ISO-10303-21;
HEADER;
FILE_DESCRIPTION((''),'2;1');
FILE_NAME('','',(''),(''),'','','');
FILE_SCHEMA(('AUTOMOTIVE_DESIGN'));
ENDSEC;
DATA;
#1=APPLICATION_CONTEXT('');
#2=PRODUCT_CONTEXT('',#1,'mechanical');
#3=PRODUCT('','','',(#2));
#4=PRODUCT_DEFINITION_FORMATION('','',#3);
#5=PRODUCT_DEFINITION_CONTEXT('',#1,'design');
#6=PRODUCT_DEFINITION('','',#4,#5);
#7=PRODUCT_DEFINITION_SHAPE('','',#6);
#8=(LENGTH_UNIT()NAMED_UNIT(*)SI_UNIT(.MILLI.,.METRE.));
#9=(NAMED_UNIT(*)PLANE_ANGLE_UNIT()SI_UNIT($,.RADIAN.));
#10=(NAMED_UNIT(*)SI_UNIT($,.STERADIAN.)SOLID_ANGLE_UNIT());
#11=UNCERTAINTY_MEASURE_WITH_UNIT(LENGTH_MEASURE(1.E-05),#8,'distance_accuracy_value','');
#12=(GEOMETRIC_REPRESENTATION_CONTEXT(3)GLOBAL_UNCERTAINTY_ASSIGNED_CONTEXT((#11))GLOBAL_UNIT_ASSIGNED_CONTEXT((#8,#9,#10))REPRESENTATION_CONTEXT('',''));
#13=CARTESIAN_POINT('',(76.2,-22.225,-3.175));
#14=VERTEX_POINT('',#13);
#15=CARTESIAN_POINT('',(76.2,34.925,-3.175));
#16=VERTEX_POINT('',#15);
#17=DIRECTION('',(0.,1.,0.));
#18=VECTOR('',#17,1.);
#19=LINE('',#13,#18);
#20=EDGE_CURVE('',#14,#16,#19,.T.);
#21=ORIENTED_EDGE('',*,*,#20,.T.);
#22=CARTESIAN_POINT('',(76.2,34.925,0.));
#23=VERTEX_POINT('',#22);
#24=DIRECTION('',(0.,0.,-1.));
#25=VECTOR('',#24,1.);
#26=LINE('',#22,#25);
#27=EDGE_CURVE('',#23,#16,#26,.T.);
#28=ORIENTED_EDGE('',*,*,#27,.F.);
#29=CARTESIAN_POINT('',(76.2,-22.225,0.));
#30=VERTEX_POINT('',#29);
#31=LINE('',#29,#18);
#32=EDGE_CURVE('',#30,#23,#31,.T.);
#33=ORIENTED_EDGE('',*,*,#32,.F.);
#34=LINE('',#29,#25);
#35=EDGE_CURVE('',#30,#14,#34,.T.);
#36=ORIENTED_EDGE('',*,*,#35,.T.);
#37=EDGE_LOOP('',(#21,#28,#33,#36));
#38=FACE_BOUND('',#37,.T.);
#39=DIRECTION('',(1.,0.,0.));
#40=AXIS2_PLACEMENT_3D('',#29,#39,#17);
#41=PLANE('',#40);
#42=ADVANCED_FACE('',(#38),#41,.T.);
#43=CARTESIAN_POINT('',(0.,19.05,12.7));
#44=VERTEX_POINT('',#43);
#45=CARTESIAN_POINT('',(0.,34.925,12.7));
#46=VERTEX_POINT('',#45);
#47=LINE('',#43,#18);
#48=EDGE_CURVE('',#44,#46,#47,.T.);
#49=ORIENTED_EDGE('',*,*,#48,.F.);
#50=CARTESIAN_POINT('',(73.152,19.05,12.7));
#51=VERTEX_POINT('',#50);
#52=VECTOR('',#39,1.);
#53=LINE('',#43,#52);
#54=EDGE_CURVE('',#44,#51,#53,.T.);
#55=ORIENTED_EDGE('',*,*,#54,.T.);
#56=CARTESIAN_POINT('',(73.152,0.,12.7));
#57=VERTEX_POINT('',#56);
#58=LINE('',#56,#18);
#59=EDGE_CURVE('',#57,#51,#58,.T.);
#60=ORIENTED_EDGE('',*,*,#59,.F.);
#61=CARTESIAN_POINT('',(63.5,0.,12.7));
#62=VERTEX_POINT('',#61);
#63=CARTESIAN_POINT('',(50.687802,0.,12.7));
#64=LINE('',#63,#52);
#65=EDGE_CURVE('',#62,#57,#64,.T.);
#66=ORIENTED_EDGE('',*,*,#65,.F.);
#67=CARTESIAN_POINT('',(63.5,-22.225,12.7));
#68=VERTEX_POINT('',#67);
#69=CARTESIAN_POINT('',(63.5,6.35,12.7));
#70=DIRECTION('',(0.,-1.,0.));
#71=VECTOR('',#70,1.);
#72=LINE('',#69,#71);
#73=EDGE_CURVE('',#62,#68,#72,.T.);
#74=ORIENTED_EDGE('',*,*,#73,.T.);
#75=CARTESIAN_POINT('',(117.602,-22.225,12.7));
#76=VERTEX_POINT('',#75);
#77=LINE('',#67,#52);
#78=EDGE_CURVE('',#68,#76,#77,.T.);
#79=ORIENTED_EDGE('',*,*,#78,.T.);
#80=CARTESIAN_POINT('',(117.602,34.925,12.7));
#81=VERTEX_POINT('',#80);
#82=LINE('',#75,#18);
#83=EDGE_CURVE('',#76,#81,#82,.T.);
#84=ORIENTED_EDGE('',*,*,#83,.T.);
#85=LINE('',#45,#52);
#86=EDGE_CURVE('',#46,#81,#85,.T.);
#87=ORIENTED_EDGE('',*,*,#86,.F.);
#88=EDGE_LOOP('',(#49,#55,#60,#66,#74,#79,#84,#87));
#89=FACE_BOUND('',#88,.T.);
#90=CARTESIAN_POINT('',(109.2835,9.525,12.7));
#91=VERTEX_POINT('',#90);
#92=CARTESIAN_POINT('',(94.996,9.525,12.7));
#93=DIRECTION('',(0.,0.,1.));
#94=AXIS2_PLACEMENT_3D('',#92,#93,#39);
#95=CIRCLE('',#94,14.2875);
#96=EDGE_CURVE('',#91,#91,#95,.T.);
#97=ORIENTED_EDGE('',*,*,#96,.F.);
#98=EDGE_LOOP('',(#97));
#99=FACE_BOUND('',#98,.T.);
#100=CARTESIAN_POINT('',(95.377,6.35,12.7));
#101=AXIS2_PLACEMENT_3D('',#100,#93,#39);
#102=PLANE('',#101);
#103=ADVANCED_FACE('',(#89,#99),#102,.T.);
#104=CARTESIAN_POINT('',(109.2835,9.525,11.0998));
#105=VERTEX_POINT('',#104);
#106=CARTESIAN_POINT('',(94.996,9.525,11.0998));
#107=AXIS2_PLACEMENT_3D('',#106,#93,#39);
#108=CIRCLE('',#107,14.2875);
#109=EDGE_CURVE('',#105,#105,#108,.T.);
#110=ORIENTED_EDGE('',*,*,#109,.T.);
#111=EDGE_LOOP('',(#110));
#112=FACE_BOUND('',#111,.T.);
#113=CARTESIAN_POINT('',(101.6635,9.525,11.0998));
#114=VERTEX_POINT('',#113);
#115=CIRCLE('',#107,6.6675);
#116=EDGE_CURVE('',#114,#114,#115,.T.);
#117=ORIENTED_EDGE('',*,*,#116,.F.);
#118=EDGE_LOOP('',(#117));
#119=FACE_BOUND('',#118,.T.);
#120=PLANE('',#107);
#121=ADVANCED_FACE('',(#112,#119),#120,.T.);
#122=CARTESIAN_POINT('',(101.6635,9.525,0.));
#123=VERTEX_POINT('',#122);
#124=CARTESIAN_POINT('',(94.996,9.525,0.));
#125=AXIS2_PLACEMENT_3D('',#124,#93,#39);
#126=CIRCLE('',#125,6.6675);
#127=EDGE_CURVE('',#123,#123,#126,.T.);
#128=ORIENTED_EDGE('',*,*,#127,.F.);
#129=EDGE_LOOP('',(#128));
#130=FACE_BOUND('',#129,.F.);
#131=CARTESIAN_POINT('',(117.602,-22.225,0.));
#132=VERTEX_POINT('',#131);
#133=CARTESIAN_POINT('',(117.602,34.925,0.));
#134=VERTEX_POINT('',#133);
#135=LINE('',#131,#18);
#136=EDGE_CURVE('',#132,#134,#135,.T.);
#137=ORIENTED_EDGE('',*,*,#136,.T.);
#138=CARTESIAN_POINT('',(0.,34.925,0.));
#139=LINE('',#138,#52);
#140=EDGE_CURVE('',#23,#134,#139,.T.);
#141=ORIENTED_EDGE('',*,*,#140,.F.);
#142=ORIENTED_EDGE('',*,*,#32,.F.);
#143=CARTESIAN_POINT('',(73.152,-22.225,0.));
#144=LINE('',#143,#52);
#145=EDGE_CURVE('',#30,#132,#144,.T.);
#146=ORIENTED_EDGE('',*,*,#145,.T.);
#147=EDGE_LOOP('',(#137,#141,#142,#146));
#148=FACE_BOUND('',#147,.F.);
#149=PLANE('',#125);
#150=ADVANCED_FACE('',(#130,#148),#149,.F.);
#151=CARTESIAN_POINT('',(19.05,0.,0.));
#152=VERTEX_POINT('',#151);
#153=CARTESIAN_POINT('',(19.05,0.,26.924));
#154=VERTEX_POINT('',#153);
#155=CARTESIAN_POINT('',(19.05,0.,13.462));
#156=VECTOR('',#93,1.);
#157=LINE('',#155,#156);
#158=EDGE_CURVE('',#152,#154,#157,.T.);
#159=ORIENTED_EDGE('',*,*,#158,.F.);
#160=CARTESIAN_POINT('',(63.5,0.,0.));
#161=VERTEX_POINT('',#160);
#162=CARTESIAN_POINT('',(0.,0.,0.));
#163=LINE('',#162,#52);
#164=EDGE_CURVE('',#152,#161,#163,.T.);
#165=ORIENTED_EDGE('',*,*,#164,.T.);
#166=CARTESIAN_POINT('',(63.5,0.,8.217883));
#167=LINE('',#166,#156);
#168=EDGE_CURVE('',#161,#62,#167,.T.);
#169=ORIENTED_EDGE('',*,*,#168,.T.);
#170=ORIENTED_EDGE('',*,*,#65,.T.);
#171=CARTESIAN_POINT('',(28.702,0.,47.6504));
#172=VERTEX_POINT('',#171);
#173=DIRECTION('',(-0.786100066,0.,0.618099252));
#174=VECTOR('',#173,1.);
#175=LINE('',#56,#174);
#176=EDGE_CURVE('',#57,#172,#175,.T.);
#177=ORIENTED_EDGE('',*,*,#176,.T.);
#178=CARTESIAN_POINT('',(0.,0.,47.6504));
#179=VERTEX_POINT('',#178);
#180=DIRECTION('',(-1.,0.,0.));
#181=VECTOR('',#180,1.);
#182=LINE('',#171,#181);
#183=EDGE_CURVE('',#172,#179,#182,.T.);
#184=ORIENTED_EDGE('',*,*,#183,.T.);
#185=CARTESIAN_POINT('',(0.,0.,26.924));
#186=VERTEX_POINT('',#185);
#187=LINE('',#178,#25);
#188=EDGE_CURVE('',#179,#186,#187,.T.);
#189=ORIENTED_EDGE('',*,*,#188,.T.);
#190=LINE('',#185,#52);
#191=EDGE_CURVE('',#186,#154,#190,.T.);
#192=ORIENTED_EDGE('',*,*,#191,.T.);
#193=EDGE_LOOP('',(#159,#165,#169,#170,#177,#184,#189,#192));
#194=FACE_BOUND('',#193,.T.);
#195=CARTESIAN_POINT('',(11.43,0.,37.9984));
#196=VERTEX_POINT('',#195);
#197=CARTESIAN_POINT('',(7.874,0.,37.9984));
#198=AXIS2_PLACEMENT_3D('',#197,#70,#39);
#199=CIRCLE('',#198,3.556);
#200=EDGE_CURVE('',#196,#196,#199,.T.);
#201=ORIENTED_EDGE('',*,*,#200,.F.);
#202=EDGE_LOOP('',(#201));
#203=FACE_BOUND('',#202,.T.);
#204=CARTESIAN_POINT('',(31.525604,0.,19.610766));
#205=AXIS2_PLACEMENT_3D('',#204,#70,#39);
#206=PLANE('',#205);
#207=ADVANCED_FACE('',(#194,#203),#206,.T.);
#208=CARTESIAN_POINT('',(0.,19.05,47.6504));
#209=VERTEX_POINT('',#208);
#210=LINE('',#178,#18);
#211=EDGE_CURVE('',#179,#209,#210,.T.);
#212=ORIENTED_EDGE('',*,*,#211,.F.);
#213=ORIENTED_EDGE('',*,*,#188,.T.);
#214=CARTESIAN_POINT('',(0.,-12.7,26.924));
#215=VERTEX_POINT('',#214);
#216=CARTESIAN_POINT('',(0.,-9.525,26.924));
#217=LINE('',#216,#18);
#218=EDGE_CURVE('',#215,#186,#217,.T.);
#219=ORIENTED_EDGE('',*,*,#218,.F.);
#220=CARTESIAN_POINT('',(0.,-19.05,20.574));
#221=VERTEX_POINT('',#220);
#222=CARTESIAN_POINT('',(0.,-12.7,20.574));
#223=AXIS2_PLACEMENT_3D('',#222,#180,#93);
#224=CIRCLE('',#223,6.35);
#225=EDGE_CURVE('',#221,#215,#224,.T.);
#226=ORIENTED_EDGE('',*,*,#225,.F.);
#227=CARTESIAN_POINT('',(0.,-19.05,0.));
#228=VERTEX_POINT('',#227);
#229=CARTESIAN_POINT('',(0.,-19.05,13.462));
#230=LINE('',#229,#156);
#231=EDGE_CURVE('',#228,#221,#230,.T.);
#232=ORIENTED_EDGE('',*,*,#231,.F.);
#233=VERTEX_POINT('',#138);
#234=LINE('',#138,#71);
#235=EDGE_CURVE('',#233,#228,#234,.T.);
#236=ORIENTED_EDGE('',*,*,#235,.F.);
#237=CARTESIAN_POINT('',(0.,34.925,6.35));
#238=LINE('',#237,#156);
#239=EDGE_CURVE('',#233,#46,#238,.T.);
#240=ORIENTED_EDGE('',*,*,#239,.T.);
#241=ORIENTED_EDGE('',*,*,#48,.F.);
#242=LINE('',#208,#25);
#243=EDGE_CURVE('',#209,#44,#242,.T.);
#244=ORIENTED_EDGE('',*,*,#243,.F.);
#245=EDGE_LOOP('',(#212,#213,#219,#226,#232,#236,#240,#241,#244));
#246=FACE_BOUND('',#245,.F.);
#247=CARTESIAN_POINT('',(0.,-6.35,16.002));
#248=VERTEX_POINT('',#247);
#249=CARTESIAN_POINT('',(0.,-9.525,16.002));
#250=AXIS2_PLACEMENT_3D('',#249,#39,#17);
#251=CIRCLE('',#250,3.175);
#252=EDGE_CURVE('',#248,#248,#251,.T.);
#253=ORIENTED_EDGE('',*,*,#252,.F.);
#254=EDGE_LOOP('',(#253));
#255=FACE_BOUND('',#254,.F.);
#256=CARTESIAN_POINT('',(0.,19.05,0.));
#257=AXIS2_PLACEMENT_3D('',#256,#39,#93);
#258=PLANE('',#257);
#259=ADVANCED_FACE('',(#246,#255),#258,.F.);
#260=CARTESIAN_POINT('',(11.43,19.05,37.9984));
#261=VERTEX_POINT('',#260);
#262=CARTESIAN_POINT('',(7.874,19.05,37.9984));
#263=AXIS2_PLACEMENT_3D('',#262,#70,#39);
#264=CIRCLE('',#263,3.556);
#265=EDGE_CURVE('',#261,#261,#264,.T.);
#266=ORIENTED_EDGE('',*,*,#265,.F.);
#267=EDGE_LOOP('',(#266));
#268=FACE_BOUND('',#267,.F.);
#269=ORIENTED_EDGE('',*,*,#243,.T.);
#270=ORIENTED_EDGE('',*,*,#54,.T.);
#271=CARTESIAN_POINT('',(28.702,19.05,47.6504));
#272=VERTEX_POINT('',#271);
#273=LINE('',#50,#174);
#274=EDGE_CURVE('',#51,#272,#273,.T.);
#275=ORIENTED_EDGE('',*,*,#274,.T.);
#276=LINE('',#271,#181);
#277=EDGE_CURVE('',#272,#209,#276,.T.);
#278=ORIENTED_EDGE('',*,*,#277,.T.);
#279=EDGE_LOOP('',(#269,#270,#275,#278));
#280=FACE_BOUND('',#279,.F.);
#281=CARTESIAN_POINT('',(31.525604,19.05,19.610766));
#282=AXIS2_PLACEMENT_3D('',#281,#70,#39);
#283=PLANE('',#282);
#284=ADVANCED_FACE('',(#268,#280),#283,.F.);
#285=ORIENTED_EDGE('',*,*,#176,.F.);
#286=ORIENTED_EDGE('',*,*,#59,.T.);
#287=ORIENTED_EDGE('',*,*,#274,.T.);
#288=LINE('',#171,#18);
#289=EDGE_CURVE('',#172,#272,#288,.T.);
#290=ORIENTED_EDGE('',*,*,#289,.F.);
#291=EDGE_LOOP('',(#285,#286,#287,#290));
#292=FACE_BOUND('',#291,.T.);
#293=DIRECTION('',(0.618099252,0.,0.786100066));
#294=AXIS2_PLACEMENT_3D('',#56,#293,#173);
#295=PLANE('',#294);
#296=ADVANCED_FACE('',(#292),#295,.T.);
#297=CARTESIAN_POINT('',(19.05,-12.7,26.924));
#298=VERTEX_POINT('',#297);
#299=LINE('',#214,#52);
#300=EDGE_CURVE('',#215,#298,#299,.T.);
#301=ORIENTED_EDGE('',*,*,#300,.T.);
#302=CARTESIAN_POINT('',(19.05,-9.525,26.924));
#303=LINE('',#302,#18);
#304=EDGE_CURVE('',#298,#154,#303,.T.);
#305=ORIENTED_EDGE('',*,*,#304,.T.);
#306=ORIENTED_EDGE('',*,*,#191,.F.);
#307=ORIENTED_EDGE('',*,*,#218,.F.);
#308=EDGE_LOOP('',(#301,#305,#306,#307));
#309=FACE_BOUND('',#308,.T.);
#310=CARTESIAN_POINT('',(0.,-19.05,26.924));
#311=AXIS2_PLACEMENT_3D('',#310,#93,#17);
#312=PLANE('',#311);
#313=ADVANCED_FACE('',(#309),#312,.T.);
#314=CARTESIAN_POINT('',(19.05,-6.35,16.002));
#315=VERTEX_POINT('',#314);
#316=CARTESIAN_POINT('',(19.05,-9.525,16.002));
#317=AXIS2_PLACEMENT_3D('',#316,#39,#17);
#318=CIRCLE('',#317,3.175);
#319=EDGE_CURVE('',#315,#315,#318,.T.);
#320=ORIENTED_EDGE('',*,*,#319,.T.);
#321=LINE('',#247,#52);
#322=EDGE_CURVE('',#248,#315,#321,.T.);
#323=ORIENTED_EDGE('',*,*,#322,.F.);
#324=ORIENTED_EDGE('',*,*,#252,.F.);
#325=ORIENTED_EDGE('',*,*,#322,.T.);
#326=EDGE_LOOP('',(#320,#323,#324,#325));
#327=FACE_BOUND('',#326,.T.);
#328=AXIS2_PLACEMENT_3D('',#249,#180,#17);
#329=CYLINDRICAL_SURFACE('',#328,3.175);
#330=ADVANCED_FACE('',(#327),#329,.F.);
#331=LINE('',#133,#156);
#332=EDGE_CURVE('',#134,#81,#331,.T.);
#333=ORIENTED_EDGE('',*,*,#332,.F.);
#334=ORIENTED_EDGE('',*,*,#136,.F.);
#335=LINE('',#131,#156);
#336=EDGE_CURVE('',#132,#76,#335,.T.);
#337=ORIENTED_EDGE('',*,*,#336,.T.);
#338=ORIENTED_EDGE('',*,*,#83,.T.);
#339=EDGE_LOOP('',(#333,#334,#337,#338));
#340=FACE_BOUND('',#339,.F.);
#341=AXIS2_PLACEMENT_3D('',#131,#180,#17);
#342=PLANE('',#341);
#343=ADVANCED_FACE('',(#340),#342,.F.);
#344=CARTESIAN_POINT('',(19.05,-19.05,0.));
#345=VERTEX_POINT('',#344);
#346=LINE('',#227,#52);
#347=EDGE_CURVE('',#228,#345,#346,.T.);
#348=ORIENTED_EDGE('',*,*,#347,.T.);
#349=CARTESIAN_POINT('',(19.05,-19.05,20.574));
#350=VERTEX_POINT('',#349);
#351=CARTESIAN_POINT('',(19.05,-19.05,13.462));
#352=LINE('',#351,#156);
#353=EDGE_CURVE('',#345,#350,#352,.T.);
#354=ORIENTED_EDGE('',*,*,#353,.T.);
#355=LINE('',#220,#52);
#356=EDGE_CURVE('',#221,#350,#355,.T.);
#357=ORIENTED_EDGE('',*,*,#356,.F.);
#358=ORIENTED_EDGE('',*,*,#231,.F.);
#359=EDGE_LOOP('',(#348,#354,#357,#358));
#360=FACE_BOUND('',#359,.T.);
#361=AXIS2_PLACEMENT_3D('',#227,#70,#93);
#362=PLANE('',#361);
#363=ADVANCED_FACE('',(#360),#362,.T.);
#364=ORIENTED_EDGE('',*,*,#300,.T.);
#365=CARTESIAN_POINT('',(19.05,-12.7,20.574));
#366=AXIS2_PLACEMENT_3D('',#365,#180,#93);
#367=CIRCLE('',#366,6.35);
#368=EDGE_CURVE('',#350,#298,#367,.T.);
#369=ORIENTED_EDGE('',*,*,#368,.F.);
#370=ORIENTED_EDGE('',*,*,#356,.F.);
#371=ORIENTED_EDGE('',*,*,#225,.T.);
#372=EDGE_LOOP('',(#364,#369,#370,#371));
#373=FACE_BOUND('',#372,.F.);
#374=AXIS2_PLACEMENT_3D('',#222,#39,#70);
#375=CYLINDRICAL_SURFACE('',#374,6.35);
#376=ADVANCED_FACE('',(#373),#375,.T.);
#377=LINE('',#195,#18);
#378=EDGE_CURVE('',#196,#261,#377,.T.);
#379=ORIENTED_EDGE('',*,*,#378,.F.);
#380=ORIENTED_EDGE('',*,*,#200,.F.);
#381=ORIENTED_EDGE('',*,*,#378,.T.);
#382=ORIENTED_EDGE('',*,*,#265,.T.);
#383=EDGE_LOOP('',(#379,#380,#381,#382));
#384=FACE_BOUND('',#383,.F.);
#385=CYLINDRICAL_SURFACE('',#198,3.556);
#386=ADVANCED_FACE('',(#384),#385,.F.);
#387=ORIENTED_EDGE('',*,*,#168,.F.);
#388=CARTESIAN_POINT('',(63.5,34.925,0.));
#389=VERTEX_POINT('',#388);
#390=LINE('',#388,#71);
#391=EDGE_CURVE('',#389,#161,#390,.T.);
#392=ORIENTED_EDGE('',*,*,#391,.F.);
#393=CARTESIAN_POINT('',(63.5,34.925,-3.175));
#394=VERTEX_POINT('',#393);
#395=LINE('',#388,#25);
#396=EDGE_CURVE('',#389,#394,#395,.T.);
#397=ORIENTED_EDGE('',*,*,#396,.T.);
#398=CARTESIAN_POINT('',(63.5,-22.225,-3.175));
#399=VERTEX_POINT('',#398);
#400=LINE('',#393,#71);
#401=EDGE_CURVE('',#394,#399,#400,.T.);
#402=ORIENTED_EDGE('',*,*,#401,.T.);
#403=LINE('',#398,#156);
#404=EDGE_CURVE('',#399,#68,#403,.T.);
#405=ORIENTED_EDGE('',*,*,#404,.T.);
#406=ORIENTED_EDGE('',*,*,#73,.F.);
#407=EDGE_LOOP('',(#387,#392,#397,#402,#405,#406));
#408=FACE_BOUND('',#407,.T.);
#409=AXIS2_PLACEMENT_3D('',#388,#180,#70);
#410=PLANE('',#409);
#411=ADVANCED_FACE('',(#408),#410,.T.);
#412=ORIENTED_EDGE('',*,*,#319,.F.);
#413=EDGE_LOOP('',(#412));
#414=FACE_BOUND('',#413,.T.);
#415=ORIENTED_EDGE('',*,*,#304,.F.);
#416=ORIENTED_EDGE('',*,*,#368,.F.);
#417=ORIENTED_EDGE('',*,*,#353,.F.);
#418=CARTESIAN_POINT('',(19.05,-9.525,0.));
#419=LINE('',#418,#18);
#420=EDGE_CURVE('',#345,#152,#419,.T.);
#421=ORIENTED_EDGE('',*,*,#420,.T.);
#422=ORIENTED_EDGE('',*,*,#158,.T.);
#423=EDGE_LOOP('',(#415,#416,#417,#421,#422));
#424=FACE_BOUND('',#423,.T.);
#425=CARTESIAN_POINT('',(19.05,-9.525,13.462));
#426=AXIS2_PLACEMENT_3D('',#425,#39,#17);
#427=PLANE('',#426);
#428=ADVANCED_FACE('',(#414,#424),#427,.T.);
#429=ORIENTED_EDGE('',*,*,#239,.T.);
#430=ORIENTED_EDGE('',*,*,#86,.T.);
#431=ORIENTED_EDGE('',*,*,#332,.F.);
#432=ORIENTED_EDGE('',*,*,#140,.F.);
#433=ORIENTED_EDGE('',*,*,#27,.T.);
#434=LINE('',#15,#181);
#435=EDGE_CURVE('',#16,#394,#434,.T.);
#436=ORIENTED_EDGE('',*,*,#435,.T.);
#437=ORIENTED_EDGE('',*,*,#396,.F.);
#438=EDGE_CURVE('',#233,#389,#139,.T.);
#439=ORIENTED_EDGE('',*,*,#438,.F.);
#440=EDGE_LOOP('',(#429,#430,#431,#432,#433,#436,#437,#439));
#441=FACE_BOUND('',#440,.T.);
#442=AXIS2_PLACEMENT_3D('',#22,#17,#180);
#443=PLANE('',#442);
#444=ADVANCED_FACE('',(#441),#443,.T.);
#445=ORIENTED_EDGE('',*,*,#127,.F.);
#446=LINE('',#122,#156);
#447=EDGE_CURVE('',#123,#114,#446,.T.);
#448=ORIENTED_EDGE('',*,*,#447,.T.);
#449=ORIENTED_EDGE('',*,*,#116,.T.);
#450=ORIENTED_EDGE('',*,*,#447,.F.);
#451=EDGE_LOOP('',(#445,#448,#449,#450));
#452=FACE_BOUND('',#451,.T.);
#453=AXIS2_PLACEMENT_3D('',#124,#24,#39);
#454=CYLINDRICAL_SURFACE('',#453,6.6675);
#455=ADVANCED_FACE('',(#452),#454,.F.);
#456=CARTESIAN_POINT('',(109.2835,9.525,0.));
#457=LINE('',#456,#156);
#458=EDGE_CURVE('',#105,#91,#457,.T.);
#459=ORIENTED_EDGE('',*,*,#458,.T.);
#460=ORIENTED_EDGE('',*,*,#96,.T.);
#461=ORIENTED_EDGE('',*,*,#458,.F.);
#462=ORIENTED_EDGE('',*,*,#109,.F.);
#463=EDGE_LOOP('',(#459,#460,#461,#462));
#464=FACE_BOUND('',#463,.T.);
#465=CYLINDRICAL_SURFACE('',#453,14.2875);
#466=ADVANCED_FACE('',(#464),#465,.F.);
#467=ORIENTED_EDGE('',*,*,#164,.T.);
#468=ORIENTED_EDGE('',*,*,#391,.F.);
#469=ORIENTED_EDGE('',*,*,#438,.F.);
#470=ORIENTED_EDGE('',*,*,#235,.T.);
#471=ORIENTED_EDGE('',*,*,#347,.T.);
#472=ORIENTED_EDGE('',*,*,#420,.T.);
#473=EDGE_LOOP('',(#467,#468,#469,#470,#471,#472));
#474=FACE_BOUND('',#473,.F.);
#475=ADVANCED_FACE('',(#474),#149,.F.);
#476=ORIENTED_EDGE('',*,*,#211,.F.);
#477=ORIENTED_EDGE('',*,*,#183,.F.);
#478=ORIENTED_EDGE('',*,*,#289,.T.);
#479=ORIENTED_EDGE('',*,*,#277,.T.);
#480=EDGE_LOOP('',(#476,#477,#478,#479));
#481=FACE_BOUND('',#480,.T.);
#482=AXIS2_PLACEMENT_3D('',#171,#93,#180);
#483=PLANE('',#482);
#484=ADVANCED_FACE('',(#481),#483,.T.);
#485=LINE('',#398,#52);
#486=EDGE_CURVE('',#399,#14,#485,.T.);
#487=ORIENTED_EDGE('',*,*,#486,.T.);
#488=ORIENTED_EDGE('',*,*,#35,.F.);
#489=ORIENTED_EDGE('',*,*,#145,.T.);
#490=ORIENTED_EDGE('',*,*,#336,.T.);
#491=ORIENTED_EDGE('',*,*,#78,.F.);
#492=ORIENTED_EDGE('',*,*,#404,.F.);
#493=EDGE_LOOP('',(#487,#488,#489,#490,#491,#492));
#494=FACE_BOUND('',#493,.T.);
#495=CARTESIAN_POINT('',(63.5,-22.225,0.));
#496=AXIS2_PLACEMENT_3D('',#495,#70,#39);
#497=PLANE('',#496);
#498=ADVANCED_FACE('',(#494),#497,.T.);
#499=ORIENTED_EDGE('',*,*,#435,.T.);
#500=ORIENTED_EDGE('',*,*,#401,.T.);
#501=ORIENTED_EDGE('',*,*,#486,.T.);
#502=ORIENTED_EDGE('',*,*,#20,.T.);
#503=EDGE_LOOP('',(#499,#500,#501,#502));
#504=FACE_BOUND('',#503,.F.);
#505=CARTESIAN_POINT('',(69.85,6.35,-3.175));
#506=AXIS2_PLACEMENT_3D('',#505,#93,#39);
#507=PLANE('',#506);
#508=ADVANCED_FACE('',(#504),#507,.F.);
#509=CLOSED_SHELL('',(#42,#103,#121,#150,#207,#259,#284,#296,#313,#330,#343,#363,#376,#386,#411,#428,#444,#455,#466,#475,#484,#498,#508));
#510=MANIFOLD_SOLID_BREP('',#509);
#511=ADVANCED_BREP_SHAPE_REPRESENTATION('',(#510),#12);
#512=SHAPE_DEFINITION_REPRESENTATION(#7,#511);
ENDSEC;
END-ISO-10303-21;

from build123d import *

# Parameters (mm, degrees)
F0_R       = 3.556
F1_DEPTH   = 19.05
F2_W       = 19.05
F2_H       = 26.924
F2_R       = 3.175
F3_DEPTH   = 19.05
F4_R       = 6.35
F6_W       = 73.152
F6_H       = 12.7
F7_DEPTH   = 15.875
F8_R       = 14.2875
F9_DEPTH   = 12.7
F8_R_2     = 6.6675
F10_DEPTH  = 11.0998
F12_DEPTH  = 3.175
F12_FACE_W = 12.7
F12_FACE_H = 57.15
F13_DEPTH  = 15.875


with BuildPart() as f1:
    # F0 (on Front) → F1 (new body)
    with BuildSketch(Plane.XZ):
        Polygon((0, 47.6504), (0, 0), (73.152, 0), (73.152, 12.7), (28.702, 47.6504), align=None)
        with Locations((7.874, 37.9984)):
            Circle(F0_R, mode=Mode.SUBTRACT)
    extrude(amount=-F1_DEPTH)

    # F2 (on Right) → F3 (join)
    with BuildSketch(Plane.YZ):
        with Locations((-9.525, 13.462)):
            Rectangle(F2_W, F2_H)
        with Locations((-9.525, 16.002)):
            Circle(F2_R, mode=Mode.SUBTRACT)
    extrude(amount=F3_DEPTH)

    # F4
    f4_edges = [f1.edges().sort_by_distance(p)[0] for p in [
        (9.525, -19.05, 26.924),
    ]]
    fillet(f4_edges, radius=F4_R)

    # F6 (on offset) → F7 (join)
    with BuildSketch(Plane.XZ.offset(-19.05)):
        with Locations((36.576, 6.35)):
            Rectangle(F6_W, F6_H)
    extrude(amount=-F7_DEPTH)

    # F8 (on Top) → F9 (join)
    with BuildSketch(Plane.XY):
        Polygon((73.152, 34.925), (73.152, 0), (73.152, -22.225), (117.602, -22.225), (117.602, 9.525), (117.602, 34.925), align=None)
        with Locations((94.996, 9.525)):
            Circle(F8_R, mode=Mode.SUBTRACT)
    extrude(amount=F9_DEPTH)

    # F8 (on Top) → F10 (join)
    with BuildSketch(Plane.XY):
        with Locations((94.996, 9.525)):
            Circle(F8_R)
        with Locations((94.996, 9.525)):
            Circle(F8_R_2, mode=Mode.SUBTRACT)
    extrude(amount=F10_DEPTH)

    # F11 (on Top) → F12 (join)
    with BuildSketch(Plane.XY):
        Polygon((76.2, 34.925), (63.5, 34.925), (63.5, 0), (63.5, -22.225), (76.2, -22.225), align=None)
    extrude(amount=-F12_DEPTH)

    # F12_face (on face) → F13 (join)
    with BuildSketch(Plane(origin=(69.85, 6.35, -3.175), x_dir=(1, 0, 0), z_dir=(0, 0, -1))):
        Rectangle(F12_FACE_W, F12_FACE_H)
    extrude(amount=-F13_DEPTH)


solid = f1.part
